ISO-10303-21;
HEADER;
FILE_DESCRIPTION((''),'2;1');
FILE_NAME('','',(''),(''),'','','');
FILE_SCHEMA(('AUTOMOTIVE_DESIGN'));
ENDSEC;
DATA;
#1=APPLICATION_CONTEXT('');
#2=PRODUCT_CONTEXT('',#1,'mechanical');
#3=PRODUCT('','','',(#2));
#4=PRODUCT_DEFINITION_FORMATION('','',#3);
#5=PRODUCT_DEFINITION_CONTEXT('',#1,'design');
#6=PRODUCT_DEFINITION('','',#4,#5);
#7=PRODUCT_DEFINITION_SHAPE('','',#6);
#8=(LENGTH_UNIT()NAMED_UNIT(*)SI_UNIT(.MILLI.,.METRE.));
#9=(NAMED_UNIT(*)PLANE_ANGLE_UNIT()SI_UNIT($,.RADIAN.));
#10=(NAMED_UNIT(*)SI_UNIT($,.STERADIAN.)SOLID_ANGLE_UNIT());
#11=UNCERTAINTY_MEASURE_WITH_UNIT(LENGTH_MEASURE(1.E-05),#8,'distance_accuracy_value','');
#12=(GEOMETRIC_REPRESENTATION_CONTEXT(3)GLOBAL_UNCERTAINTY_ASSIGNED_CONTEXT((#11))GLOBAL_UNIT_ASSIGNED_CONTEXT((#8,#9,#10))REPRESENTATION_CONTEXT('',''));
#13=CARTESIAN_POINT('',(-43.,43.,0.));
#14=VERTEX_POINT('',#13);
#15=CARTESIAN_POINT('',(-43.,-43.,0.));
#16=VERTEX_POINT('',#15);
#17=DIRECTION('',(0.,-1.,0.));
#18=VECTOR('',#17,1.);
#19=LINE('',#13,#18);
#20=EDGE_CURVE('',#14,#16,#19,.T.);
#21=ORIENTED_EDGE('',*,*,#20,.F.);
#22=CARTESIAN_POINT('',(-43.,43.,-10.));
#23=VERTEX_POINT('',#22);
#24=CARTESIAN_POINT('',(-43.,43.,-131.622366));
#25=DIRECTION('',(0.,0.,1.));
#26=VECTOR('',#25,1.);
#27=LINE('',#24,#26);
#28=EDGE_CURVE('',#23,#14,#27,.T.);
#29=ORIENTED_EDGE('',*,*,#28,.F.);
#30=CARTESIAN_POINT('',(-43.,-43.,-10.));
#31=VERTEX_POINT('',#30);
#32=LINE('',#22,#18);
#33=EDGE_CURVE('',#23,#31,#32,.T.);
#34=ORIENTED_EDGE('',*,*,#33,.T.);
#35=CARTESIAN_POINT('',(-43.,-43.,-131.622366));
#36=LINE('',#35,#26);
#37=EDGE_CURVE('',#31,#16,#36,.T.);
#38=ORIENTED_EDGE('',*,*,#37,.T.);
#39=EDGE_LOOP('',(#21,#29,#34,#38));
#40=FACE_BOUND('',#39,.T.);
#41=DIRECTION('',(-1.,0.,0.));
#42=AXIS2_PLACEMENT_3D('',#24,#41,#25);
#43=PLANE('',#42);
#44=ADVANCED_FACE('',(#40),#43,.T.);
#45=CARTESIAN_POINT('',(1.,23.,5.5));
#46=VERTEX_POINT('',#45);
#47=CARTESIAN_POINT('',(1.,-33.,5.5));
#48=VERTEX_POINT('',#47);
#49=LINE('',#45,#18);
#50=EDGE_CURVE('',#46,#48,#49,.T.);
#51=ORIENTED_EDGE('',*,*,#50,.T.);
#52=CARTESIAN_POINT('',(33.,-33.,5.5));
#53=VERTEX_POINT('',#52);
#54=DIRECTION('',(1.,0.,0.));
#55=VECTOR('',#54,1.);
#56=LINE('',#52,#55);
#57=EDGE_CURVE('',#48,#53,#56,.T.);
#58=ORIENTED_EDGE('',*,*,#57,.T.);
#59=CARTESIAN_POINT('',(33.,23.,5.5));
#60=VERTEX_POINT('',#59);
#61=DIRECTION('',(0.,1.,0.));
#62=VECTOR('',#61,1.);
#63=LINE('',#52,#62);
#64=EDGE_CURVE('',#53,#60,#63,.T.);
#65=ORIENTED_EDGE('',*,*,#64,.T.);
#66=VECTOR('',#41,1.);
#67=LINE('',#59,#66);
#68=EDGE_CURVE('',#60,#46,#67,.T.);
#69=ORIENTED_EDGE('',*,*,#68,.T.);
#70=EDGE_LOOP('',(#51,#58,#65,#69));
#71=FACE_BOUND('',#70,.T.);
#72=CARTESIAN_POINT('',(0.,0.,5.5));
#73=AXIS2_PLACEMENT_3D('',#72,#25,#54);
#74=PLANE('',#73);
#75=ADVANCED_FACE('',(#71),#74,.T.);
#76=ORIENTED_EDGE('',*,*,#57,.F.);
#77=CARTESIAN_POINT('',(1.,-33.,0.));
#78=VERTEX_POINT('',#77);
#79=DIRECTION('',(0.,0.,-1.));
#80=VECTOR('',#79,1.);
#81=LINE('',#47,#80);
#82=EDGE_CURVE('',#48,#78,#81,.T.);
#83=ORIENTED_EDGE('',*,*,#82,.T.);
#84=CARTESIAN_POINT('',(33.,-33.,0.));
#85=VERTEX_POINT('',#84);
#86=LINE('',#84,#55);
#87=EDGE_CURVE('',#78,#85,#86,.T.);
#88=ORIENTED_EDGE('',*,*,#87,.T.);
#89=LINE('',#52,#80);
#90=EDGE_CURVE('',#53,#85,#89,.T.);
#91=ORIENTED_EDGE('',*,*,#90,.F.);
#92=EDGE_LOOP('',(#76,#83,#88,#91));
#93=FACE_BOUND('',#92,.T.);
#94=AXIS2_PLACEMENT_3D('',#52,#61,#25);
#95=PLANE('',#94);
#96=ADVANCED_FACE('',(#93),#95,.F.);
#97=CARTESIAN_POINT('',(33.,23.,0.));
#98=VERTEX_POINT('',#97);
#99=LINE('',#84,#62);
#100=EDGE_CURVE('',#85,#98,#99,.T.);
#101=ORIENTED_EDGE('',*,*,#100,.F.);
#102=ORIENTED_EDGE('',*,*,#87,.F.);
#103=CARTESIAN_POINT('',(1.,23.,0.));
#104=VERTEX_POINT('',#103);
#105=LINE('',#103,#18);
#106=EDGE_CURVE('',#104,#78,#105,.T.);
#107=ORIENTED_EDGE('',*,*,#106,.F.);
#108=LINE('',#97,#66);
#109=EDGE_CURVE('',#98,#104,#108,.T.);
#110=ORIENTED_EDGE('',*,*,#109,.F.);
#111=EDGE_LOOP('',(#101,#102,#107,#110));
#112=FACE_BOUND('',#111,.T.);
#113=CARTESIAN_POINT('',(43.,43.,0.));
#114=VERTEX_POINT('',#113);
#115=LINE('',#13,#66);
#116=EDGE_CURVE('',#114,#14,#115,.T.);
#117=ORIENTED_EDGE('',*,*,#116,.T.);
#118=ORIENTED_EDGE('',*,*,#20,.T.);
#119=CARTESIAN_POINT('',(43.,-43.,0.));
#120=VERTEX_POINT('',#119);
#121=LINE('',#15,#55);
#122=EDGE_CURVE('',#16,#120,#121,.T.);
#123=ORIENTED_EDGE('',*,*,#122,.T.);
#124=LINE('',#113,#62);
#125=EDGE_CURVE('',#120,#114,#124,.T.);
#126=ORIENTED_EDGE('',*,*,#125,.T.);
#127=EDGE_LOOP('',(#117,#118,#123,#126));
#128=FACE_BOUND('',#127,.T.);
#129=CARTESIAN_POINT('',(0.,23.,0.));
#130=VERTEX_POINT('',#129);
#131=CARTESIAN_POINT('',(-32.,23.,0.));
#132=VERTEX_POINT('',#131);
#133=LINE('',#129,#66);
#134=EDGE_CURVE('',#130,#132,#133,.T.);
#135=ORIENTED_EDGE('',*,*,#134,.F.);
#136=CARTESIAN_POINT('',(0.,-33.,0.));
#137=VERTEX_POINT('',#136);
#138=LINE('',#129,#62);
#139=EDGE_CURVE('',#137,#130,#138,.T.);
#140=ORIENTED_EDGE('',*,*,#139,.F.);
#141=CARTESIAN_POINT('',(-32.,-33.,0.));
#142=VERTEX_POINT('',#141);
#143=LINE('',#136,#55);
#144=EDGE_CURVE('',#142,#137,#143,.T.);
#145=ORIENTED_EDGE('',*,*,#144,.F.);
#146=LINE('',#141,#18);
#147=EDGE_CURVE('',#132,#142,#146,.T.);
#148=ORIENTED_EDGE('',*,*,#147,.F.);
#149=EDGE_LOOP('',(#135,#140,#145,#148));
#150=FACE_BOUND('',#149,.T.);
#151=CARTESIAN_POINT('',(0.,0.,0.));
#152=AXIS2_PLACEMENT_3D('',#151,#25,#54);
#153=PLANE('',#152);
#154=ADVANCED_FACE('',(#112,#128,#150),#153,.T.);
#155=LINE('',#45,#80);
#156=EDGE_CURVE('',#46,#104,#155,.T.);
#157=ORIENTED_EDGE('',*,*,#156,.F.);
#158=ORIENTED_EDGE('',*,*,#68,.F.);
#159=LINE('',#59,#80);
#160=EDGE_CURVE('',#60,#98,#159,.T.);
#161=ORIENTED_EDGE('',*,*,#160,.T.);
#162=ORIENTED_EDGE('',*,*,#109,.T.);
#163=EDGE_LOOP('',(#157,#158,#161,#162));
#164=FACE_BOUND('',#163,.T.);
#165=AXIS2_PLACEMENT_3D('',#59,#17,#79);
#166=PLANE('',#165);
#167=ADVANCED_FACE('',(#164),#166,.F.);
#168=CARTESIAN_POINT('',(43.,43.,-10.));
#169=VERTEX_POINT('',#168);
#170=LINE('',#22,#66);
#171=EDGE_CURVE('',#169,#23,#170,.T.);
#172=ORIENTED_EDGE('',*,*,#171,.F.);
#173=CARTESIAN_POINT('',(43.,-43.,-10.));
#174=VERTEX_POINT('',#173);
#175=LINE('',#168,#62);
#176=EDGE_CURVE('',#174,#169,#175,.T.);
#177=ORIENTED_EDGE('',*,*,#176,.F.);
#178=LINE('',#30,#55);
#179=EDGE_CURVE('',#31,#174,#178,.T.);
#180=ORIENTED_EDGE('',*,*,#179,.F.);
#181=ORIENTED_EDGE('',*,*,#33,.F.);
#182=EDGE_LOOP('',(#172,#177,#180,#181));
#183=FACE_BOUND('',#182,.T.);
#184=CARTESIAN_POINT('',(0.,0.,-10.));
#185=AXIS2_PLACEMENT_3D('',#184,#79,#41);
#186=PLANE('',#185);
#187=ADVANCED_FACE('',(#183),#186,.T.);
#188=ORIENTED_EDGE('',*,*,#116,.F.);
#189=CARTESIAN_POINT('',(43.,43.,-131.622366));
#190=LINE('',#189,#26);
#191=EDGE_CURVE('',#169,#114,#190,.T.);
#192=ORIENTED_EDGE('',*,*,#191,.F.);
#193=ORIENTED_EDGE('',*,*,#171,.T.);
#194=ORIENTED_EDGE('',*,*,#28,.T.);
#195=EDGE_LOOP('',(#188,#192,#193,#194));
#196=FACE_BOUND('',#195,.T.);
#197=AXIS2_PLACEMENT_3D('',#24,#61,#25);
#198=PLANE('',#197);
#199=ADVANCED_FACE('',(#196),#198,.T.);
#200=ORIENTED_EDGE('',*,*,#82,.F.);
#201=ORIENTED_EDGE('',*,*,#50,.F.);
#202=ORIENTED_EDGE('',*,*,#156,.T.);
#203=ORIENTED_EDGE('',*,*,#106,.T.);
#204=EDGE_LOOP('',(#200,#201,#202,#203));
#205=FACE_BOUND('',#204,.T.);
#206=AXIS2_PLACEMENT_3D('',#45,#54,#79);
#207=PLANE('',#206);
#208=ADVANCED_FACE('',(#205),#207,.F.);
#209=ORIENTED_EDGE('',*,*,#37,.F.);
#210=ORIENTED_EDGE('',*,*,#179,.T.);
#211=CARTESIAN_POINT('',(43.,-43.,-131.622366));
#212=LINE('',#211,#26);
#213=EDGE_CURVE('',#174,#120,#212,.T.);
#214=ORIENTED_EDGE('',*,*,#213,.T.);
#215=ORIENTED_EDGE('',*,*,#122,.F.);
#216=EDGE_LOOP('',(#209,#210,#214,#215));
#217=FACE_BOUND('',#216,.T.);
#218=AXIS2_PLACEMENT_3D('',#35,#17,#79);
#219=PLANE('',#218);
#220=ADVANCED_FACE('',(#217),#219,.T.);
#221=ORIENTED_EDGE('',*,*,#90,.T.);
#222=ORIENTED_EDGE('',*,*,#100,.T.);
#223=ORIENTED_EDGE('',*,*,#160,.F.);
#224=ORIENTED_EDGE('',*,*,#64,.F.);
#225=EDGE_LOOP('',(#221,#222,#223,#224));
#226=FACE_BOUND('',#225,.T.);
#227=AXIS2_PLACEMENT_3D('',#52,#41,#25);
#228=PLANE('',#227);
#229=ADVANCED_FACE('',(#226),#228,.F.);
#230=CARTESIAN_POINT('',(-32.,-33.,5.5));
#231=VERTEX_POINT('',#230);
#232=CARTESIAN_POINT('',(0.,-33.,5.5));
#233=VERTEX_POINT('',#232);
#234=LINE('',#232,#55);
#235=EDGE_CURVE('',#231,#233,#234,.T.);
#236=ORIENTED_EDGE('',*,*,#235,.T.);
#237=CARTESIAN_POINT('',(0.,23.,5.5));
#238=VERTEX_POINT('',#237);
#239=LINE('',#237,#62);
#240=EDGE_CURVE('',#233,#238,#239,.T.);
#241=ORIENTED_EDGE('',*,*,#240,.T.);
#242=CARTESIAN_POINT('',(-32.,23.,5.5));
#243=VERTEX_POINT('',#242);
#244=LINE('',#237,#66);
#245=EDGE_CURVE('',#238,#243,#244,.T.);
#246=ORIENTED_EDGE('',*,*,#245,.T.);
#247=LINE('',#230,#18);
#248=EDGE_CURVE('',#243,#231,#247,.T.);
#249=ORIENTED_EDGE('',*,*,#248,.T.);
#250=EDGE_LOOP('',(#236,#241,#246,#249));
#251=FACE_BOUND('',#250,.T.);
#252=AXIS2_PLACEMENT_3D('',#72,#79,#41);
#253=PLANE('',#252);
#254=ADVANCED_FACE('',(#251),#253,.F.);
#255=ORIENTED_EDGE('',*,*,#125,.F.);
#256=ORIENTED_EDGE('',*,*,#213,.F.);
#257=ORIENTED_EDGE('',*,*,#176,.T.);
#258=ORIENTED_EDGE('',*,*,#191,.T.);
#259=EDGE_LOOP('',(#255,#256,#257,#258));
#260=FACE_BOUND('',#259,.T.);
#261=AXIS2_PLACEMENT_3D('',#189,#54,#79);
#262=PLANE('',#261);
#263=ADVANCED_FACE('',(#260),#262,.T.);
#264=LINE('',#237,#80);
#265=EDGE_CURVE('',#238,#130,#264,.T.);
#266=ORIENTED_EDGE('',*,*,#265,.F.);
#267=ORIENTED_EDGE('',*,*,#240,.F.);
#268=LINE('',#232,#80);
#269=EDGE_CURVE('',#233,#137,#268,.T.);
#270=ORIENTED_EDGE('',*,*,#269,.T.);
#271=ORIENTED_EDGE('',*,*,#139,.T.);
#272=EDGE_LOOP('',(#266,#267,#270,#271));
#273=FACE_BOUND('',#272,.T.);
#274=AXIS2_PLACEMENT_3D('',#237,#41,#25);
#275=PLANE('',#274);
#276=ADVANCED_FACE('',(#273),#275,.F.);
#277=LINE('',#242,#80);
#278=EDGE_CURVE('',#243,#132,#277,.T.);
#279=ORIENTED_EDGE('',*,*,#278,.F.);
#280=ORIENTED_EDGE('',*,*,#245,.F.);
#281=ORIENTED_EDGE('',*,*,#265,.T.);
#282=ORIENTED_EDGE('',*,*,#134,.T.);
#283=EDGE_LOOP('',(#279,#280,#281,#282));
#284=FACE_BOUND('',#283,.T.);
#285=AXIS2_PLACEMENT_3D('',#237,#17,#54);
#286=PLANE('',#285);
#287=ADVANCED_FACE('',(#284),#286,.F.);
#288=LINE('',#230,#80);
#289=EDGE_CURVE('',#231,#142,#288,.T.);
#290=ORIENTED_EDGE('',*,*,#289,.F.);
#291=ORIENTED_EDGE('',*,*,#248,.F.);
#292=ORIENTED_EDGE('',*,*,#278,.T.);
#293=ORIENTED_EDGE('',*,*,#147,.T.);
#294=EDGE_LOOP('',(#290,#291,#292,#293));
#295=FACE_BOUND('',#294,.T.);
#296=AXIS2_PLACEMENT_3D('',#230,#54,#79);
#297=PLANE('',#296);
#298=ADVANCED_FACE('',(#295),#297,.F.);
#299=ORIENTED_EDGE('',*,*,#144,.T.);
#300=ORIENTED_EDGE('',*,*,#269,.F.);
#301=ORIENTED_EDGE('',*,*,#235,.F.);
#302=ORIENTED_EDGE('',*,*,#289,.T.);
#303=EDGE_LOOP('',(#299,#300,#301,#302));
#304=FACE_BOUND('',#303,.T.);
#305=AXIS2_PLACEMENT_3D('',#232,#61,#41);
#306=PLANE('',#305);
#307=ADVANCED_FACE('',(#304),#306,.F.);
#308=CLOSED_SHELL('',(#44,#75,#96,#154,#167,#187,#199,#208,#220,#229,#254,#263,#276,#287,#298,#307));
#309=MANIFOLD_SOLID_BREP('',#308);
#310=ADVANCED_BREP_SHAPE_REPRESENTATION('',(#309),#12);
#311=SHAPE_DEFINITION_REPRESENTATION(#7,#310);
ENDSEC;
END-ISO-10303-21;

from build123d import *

# Parameters (mm, degrees)
SKETCH_1_W      = 86
SKETCH_1_H      = 86
EXTRUDE_2_DEPTH = 10
SKETCH_2_W      = 32
SKETCH_2_H      = 56
EXTRUDE_3_DEPTH = 5.5


with BuildPart() as part:
    # 草图1 → 凸台-拉伸2 (new body)
    with BuildSketch(Plane.XY):
        Rectangle(SKETCH_1_W, SKETCH_1_H)
    extrude(amount=-EXTRUDE_2_DEPTH)

    # 草图2 → 凸台-拉伸3 (add)
    with BuildSketch(Plane.XY):
        with Locations((17, -5)):
            Rectangle(SKETCH_2_W, SKETCH_2_H)
        with Locations((-16, -5)):
            Rectangle(SKETCH_2_W, SKETCH_2_H)
    extrude(amount=EXTRUDE_3_DEPTH)


solid = part.part
